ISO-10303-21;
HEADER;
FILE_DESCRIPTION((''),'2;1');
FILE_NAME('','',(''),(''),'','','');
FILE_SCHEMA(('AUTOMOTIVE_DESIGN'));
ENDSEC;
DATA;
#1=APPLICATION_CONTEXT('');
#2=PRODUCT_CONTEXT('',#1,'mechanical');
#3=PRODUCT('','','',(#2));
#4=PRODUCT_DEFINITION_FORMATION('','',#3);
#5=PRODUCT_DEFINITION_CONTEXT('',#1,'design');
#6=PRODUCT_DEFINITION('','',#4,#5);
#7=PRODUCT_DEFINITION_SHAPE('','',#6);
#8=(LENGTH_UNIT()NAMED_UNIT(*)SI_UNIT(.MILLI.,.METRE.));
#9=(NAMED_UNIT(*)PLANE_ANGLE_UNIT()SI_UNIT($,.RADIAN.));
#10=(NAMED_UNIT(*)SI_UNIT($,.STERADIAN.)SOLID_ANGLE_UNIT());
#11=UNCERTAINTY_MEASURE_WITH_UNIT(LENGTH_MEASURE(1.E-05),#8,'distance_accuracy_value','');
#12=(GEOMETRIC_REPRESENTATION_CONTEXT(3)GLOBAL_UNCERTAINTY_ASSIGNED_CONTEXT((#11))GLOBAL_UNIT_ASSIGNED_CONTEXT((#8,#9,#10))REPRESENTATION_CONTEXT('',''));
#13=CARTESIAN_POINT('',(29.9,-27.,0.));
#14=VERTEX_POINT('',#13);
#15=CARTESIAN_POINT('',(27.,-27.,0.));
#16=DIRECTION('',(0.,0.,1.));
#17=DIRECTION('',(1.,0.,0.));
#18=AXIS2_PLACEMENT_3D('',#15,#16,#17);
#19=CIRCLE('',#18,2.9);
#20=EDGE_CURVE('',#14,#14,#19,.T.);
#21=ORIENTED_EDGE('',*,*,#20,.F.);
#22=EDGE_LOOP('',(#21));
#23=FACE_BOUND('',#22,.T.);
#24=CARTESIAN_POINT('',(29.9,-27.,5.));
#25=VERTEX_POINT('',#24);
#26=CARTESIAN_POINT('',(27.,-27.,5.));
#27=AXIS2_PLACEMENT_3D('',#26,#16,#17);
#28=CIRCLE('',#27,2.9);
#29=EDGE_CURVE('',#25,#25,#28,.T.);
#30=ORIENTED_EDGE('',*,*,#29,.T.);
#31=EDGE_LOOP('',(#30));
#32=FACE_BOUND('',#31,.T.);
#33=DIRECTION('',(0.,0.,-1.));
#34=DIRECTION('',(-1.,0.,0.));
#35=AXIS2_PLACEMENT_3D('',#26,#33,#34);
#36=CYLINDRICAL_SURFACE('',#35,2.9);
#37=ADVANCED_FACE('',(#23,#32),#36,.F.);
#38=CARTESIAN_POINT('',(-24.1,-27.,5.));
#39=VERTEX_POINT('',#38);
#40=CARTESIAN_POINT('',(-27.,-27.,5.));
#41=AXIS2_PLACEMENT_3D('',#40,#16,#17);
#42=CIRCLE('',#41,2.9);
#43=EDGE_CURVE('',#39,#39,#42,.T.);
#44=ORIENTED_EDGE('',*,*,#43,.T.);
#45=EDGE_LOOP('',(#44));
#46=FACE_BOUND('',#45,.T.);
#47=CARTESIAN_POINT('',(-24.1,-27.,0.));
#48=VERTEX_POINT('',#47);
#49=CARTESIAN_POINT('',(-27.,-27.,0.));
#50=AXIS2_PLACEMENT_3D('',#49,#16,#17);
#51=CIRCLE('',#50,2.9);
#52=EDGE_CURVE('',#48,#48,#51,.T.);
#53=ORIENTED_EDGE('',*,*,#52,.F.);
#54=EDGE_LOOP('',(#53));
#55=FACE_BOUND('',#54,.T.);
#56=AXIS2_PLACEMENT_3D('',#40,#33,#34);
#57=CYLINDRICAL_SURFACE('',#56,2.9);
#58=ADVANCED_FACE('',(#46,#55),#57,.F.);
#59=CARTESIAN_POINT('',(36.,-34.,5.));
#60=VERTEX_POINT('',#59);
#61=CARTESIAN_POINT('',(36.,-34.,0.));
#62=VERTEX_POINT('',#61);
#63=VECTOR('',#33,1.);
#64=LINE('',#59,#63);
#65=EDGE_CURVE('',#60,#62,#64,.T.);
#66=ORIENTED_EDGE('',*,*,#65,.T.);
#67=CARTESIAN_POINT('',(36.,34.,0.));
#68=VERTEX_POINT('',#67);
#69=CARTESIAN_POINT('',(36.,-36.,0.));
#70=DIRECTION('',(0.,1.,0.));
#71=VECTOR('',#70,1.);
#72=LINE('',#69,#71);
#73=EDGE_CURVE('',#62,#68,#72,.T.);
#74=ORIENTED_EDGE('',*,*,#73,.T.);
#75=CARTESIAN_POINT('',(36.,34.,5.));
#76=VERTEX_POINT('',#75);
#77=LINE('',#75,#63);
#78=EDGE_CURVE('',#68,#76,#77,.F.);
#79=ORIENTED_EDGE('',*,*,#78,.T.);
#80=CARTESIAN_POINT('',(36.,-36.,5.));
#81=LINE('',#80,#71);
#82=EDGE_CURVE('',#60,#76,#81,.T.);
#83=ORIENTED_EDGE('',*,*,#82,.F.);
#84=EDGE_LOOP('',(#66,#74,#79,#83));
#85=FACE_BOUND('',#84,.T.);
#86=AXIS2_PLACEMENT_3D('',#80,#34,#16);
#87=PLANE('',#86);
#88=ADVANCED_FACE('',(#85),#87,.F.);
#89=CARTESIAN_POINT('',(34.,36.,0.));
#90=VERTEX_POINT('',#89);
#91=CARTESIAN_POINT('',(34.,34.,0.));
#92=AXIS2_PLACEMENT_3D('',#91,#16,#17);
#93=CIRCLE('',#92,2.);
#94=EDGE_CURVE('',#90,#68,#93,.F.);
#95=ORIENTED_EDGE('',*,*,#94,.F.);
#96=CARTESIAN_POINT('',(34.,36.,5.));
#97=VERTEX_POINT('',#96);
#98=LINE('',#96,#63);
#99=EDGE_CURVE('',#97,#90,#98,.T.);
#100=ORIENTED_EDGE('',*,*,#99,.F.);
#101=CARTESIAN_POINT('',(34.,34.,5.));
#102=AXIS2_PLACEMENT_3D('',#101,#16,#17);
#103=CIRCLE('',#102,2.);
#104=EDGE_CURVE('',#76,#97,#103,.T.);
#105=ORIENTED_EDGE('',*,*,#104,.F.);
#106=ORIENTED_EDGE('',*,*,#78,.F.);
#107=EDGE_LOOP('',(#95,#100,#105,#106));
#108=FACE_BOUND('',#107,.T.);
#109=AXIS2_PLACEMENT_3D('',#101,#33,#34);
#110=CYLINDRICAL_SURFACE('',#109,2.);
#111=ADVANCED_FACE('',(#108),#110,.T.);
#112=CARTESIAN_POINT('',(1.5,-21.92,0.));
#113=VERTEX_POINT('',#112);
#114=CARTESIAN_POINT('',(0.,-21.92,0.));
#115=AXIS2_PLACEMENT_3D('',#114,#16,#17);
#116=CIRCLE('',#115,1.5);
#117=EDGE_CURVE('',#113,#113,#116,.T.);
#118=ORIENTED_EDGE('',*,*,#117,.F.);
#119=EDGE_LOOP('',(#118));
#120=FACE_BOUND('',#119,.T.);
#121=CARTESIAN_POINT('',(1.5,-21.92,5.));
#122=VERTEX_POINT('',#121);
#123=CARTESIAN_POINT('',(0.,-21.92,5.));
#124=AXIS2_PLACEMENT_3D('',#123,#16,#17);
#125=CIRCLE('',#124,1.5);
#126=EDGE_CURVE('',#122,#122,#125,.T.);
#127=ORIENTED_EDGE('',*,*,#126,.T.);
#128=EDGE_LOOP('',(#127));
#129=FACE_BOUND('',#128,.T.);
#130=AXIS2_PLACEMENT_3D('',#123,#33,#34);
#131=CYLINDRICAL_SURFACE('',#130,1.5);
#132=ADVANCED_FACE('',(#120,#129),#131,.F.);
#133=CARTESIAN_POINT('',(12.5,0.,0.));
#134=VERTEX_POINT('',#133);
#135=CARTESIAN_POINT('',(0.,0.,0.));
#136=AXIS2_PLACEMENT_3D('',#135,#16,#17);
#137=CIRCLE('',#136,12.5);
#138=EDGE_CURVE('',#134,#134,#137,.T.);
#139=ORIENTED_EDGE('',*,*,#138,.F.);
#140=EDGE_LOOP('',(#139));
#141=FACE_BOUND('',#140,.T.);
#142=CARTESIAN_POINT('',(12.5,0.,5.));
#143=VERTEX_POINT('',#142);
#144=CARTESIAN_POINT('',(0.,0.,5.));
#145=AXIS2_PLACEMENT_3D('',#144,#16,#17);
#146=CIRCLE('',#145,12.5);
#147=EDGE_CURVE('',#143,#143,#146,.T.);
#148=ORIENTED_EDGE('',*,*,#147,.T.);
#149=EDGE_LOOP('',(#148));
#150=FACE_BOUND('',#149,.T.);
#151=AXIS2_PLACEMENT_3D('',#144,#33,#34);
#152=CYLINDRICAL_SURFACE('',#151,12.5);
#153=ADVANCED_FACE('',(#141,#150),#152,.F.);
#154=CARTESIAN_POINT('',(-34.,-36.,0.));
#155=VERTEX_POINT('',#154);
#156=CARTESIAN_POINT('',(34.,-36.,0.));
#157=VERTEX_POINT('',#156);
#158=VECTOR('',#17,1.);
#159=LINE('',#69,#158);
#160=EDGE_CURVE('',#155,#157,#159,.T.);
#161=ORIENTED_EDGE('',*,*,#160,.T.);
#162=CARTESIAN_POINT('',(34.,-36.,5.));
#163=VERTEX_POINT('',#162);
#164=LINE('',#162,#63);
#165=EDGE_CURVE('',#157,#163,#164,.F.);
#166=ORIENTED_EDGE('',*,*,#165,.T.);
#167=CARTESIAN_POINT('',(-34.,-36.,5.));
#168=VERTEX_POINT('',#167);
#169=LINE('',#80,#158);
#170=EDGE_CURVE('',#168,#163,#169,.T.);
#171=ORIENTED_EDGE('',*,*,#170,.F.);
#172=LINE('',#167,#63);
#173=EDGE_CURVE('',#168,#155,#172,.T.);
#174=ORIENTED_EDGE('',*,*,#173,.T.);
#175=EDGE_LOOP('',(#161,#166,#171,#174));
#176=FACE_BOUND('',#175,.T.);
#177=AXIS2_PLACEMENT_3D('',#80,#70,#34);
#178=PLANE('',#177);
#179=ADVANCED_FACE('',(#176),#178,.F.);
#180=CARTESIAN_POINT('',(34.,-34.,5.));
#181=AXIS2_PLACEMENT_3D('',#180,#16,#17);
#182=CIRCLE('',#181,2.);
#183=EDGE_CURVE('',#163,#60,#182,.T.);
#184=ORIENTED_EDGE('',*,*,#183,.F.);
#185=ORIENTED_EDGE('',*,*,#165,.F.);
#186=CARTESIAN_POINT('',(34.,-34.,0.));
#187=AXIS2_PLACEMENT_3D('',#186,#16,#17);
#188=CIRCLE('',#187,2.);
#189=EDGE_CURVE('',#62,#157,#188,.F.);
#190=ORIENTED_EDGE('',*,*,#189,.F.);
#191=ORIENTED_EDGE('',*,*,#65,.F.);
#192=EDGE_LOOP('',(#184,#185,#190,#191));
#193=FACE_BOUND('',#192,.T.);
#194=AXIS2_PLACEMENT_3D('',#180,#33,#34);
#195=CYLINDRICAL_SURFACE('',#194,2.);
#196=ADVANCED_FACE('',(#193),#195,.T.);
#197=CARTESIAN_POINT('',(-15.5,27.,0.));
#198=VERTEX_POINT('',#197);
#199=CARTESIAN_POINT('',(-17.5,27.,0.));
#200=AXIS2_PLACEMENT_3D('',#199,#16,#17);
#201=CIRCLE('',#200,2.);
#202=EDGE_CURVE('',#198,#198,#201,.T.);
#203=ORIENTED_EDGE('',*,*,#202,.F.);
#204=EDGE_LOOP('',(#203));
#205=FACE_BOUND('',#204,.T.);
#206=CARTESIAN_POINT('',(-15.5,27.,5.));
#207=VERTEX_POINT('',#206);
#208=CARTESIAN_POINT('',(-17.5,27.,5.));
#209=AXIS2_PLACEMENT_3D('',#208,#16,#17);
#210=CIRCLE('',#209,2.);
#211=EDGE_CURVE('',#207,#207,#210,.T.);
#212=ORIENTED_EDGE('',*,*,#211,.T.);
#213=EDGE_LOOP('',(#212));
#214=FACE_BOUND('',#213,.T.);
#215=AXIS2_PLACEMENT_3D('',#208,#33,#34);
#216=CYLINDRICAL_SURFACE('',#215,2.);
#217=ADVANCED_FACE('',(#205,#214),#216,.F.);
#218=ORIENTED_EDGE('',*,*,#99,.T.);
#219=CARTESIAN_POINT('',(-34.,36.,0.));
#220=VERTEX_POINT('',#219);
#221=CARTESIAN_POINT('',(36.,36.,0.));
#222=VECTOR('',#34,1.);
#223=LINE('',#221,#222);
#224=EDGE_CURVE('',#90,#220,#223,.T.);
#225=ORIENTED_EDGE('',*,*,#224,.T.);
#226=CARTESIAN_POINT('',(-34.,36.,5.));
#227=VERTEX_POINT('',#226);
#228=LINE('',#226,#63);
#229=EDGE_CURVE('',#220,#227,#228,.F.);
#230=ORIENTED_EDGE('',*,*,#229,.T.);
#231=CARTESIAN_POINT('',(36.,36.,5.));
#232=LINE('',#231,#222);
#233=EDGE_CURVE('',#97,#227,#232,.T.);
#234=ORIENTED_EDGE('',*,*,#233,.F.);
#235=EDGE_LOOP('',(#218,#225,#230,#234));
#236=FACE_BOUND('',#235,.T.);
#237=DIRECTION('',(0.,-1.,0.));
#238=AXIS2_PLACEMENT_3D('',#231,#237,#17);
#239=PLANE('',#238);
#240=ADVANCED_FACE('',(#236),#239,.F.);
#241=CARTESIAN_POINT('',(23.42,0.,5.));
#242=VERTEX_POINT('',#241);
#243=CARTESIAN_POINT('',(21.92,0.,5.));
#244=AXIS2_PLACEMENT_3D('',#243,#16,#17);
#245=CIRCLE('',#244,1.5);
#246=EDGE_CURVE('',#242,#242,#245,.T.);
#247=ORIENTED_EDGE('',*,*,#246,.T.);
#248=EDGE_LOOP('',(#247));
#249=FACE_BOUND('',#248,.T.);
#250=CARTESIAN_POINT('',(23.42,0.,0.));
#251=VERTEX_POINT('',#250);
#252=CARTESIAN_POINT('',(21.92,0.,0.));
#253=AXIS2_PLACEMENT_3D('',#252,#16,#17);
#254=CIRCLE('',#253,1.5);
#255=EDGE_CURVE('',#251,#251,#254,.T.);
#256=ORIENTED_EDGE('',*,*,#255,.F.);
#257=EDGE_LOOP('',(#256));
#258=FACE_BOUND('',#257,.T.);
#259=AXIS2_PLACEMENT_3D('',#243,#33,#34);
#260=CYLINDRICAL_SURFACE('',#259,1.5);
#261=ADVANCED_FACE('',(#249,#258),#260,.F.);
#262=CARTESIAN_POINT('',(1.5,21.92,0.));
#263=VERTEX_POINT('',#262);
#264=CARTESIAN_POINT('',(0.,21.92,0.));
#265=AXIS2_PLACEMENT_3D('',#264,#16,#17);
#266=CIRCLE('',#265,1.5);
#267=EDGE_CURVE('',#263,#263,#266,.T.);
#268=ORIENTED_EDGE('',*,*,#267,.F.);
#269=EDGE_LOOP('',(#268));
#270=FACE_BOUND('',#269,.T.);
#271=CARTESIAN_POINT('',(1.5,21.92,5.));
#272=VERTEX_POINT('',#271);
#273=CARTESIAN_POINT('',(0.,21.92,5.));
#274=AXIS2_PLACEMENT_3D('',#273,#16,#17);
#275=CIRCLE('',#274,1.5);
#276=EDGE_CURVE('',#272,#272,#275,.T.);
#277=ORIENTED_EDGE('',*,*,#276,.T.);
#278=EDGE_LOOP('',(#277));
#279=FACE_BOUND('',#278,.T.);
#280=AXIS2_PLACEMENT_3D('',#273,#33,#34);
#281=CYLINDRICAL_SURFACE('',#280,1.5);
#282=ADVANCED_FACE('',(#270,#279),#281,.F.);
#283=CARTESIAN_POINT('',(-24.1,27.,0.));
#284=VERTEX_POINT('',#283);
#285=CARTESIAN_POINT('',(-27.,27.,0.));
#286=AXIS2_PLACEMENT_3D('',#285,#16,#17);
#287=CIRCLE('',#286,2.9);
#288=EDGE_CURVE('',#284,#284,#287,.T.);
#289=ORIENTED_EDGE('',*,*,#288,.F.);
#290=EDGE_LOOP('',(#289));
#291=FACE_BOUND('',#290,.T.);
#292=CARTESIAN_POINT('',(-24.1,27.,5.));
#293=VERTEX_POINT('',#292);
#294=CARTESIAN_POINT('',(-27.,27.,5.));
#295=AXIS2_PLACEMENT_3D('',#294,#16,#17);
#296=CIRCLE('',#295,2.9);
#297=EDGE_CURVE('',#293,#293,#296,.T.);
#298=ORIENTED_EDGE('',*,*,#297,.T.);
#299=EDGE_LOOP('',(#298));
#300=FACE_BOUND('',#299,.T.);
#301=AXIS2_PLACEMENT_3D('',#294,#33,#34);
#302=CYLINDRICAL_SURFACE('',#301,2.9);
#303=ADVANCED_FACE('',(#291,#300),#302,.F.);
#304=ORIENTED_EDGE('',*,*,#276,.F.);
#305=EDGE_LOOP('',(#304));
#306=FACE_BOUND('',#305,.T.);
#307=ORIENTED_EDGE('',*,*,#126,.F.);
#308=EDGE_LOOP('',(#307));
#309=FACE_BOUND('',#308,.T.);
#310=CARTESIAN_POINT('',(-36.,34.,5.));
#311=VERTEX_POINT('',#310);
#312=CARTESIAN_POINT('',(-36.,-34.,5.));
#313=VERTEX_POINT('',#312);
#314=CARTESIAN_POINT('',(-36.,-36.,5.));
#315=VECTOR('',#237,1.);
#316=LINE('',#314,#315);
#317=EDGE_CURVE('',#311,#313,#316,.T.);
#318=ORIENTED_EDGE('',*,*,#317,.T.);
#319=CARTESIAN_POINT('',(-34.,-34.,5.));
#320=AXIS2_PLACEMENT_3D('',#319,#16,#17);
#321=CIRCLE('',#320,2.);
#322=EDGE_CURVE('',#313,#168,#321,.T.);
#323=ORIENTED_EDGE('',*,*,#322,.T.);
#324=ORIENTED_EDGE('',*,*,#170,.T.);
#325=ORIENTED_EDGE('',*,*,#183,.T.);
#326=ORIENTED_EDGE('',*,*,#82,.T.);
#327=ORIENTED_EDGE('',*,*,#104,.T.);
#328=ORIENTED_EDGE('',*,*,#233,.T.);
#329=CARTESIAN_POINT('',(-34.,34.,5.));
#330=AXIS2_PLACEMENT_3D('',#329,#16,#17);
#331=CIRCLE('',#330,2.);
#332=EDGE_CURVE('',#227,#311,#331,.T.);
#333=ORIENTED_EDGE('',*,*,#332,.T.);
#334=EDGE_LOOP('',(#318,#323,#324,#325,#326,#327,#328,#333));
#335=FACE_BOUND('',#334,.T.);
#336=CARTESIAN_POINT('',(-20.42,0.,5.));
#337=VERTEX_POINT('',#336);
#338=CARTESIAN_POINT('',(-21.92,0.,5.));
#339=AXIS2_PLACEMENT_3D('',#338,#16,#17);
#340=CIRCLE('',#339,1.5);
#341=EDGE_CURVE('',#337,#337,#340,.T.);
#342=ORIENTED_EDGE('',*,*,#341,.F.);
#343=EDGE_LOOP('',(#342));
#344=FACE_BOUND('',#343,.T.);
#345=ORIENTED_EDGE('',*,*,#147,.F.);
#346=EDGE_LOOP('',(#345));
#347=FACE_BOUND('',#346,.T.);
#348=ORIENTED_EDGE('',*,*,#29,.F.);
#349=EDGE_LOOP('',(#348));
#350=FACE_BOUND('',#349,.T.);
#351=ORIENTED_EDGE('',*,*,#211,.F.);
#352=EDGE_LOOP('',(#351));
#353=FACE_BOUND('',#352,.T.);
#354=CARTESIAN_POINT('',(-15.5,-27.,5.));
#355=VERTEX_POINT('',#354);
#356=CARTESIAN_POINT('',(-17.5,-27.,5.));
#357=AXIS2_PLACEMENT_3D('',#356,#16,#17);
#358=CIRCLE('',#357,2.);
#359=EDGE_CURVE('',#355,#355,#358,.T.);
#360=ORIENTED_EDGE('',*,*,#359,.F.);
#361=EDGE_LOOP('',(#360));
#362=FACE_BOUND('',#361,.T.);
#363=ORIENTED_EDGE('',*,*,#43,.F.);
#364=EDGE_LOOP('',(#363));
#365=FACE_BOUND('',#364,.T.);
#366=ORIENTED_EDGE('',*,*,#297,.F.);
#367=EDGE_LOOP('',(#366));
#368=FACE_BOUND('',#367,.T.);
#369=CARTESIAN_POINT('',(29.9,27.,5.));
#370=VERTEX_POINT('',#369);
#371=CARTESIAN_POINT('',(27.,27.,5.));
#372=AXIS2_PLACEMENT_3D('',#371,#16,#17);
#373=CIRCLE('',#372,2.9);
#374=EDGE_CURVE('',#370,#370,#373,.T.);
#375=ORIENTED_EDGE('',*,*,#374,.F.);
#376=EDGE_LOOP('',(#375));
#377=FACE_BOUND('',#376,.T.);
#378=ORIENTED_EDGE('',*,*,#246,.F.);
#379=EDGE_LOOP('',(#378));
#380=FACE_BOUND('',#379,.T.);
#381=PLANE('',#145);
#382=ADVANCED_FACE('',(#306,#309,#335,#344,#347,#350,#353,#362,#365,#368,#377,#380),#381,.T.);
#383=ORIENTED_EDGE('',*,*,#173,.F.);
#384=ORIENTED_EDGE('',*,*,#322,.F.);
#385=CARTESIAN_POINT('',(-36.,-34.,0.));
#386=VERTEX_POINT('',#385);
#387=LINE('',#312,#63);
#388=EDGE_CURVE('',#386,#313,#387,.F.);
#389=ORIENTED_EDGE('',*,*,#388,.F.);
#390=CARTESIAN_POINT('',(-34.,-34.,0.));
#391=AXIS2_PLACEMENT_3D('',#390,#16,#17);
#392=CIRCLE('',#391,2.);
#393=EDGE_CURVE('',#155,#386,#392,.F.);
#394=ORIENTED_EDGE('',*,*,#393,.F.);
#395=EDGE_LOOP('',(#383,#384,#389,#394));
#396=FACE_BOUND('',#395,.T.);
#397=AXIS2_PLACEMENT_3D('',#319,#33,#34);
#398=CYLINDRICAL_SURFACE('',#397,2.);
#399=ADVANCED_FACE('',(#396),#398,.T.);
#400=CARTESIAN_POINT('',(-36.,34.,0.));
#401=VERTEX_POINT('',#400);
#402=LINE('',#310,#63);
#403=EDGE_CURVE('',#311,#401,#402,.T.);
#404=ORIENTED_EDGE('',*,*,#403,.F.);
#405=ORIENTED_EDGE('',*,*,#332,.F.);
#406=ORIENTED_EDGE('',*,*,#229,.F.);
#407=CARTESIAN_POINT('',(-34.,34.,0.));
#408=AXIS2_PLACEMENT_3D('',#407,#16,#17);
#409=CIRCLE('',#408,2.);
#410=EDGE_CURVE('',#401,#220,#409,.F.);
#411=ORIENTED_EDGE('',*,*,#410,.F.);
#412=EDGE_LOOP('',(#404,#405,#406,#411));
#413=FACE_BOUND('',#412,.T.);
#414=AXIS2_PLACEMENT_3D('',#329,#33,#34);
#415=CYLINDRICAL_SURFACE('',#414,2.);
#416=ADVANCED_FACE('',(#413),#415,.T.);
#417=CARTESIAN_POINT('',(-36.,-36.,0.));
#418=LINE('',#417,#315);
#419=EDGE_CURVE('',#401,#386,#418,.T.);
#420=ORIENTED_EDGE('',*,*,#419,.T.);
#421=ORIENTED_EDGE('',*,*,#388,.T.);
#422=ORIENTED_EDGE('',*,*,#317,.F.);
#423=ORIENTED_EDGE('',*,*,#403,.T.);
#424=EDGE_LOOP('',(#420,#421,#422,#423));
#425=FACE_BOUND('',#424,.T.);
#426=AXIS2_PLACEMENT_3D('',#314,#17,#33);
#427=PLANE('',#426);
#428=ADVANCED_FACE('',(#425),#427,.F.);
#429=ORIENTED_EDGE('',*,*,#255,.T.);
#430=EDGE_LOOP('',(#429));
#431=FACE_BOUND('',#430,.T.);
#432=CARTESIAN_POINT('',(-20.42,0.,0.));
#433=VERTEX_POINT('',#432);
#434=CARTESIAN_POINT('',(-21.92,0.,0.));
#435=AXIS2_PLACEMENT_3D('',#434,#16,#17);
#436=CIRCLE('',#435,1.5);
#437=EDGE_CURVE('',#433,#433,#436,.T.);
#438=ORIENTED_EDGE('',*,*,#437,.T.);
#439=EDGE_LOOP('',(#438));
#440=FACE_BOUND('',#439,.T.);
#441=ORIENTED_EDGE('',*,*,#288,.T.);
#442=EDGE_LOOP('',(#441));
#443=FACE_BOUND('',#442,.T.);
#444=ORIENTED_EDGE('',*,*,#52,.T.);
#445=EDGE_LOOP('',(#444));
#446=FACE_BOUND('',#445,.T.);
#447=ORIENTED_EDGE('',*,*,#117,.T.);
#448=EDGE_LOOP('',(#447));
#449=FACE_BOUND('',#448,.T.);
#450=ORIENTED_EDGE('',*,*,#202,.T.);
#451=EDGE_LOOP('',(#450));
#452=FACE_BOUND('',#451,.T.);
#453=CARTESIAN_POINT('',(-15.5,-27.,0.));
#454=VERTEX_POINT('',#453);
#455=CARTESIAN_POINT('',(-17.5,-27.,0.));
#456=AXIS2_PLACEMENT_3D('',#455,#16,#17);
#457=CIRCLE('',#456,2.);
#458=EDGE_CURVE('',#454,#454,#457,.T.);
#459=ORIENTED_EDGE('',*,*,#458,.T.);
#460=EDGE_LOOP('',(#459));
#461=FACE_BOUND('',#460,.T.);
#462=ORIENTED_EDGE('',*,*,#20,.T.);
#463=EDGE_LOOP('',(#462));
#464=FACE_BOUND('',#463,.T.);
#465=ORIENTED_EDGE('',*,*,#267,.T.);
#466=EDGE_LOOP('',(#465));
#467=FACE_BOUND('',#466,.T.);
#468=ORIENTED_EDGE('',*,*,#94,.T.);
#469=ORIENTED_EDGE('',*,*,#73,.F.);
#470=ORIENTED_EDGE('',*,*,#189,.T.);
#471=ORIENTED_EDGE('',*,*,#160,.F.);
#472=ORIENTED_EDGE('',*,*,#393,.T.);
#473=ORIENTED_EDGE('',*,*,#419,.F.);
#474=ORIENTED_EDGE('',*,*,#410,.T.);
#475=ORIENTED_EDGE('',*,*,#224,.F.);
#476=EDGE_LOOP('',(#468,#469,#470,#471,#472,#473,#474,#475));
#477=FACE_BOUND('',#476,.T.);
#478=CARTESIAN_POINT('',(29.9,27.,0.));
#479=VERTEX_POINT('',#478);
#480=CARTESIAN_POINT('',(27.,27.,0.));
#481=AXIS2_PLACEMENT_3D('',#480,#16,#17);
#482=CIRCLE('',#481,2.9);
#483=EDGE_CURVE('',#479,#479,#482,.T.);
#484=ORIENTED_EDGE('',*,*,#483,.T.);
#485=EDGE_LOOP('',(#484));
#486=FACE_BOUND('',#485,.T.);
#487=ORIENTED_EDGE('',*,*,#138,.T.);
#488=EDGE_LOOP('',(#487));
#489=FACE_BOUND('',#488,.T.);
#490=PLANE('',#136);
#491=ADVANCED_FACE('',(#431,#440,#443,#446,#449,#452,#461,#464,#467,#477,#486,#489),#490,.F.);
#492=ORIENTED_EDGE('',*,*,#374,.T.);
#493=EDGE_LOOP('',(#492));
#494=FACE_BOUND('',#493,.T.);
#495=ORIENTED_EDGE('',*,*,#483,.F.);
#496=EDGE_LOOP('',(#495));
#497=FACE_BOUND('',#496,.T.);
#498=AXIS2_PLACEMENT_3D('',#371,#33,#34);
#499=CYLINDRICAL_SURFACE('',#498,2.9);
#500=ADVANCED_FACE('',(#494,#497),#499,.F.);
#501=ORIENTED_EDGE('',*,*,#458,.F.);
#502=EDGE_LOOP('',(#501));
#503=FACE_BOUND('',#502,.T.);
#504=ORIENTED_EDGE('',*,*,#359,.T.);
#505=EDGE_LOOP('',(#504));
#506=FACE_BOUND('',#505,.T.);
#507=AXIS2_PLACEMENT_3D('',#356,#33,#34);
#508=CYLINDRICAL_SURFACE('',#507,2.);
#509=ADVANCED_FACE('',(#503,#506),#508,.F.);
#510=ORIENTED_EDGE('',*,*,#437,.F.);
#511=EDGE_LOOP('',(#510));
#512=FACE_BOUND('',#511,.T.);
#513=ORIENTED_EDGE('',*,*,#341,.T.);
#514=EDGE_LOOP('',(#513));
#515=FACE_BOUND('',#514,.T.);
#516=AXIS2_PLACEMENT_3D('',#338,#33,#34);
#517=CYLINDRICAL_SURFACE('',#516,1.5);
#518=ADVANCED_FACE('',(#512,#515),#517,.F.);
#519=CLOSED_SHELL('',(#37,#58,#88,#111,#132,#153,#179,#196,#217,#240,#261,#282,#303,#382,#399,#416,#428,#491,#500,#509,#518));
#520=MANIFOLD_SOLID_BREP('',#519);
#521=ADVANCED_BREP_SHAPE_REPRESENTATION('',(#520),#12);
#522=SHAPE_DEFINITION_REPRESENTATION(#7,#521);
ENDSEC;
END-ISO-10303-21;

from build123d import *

# Parameters (mm, degrees)
SKETCH1_W           = 72
SKETCH1_H           = 72
SKETCH1_R           = 2.9
SKETCH1_R_2         = 12.5
SKETCH1_R_3         = 1.5
SKETCH1_R_4         = 2
BOSS_EXTRUDE1_DEPTH = 5
FILLET1_R           = 2


with BuildPart() as part:
    # Sketch1 → Boss-Extrude1 (new body)
    with BuildSketch(Plane.XY):
        Rectangle(SKETCH1_W, SKETCH1_H)
        with Locations((-27, 27)):
            Circle(SKETCH1_R, mode=Mode.SUBTRACT)
        with Locations((27, 27)):
            Circle(SKETCH1_R, mode=Mode.SUBTRACT)
        with Locations((27, -27)):
            Circle(SKETCH1_R, mode=Mode.SUBTRACT)
        with Locations((-27, -27)):
            Circle(SKETCH1_R, mode=Mode.SUBTRACT)
        Circle(SKETCH1_R_2, mode=Mode.SUBTRACT)
        with Locations((0, 21.92)):
            Circle(SKETCH1_R_3, mode=Mode.SUBTRACT)
        with Locations((0, -21.92)):
            Circle(SKETCH1_R_3, mode=Mode.SUBTRACT)
        with Locations((-21.92, 0)):
            Circle(SKETCH1_R_3, mode=Mode.SUBTRACT)
        with Locations((21.92, 0)):
            Circle(SKETCH1_R_3, mode=Mode.SUBTRACT)
        with Locations((-17.5, 27)):
            Circle(SKETCH1_R_4, mode=Mode.SUBTRACT)
        with Locations((-17.5, -27)):
            Circle(SKETCH1_R_4, mode=Mode.SUBTRACT)
    extrude(amount=BOSS_EXTRUDE1_DEPTH)

    # Fillet1
    fillet1_edges = [part.edges().sort_by_distance(p)[0] for p in [
        (-36, 36, 2.5),
        (36, 36, 2.5),
        (36, -36, 2.5),
        (-36, -36, 2.5),
    ]]
    fillet(fillet1_edges, radius=FILLET1_R)


solid = part.part
